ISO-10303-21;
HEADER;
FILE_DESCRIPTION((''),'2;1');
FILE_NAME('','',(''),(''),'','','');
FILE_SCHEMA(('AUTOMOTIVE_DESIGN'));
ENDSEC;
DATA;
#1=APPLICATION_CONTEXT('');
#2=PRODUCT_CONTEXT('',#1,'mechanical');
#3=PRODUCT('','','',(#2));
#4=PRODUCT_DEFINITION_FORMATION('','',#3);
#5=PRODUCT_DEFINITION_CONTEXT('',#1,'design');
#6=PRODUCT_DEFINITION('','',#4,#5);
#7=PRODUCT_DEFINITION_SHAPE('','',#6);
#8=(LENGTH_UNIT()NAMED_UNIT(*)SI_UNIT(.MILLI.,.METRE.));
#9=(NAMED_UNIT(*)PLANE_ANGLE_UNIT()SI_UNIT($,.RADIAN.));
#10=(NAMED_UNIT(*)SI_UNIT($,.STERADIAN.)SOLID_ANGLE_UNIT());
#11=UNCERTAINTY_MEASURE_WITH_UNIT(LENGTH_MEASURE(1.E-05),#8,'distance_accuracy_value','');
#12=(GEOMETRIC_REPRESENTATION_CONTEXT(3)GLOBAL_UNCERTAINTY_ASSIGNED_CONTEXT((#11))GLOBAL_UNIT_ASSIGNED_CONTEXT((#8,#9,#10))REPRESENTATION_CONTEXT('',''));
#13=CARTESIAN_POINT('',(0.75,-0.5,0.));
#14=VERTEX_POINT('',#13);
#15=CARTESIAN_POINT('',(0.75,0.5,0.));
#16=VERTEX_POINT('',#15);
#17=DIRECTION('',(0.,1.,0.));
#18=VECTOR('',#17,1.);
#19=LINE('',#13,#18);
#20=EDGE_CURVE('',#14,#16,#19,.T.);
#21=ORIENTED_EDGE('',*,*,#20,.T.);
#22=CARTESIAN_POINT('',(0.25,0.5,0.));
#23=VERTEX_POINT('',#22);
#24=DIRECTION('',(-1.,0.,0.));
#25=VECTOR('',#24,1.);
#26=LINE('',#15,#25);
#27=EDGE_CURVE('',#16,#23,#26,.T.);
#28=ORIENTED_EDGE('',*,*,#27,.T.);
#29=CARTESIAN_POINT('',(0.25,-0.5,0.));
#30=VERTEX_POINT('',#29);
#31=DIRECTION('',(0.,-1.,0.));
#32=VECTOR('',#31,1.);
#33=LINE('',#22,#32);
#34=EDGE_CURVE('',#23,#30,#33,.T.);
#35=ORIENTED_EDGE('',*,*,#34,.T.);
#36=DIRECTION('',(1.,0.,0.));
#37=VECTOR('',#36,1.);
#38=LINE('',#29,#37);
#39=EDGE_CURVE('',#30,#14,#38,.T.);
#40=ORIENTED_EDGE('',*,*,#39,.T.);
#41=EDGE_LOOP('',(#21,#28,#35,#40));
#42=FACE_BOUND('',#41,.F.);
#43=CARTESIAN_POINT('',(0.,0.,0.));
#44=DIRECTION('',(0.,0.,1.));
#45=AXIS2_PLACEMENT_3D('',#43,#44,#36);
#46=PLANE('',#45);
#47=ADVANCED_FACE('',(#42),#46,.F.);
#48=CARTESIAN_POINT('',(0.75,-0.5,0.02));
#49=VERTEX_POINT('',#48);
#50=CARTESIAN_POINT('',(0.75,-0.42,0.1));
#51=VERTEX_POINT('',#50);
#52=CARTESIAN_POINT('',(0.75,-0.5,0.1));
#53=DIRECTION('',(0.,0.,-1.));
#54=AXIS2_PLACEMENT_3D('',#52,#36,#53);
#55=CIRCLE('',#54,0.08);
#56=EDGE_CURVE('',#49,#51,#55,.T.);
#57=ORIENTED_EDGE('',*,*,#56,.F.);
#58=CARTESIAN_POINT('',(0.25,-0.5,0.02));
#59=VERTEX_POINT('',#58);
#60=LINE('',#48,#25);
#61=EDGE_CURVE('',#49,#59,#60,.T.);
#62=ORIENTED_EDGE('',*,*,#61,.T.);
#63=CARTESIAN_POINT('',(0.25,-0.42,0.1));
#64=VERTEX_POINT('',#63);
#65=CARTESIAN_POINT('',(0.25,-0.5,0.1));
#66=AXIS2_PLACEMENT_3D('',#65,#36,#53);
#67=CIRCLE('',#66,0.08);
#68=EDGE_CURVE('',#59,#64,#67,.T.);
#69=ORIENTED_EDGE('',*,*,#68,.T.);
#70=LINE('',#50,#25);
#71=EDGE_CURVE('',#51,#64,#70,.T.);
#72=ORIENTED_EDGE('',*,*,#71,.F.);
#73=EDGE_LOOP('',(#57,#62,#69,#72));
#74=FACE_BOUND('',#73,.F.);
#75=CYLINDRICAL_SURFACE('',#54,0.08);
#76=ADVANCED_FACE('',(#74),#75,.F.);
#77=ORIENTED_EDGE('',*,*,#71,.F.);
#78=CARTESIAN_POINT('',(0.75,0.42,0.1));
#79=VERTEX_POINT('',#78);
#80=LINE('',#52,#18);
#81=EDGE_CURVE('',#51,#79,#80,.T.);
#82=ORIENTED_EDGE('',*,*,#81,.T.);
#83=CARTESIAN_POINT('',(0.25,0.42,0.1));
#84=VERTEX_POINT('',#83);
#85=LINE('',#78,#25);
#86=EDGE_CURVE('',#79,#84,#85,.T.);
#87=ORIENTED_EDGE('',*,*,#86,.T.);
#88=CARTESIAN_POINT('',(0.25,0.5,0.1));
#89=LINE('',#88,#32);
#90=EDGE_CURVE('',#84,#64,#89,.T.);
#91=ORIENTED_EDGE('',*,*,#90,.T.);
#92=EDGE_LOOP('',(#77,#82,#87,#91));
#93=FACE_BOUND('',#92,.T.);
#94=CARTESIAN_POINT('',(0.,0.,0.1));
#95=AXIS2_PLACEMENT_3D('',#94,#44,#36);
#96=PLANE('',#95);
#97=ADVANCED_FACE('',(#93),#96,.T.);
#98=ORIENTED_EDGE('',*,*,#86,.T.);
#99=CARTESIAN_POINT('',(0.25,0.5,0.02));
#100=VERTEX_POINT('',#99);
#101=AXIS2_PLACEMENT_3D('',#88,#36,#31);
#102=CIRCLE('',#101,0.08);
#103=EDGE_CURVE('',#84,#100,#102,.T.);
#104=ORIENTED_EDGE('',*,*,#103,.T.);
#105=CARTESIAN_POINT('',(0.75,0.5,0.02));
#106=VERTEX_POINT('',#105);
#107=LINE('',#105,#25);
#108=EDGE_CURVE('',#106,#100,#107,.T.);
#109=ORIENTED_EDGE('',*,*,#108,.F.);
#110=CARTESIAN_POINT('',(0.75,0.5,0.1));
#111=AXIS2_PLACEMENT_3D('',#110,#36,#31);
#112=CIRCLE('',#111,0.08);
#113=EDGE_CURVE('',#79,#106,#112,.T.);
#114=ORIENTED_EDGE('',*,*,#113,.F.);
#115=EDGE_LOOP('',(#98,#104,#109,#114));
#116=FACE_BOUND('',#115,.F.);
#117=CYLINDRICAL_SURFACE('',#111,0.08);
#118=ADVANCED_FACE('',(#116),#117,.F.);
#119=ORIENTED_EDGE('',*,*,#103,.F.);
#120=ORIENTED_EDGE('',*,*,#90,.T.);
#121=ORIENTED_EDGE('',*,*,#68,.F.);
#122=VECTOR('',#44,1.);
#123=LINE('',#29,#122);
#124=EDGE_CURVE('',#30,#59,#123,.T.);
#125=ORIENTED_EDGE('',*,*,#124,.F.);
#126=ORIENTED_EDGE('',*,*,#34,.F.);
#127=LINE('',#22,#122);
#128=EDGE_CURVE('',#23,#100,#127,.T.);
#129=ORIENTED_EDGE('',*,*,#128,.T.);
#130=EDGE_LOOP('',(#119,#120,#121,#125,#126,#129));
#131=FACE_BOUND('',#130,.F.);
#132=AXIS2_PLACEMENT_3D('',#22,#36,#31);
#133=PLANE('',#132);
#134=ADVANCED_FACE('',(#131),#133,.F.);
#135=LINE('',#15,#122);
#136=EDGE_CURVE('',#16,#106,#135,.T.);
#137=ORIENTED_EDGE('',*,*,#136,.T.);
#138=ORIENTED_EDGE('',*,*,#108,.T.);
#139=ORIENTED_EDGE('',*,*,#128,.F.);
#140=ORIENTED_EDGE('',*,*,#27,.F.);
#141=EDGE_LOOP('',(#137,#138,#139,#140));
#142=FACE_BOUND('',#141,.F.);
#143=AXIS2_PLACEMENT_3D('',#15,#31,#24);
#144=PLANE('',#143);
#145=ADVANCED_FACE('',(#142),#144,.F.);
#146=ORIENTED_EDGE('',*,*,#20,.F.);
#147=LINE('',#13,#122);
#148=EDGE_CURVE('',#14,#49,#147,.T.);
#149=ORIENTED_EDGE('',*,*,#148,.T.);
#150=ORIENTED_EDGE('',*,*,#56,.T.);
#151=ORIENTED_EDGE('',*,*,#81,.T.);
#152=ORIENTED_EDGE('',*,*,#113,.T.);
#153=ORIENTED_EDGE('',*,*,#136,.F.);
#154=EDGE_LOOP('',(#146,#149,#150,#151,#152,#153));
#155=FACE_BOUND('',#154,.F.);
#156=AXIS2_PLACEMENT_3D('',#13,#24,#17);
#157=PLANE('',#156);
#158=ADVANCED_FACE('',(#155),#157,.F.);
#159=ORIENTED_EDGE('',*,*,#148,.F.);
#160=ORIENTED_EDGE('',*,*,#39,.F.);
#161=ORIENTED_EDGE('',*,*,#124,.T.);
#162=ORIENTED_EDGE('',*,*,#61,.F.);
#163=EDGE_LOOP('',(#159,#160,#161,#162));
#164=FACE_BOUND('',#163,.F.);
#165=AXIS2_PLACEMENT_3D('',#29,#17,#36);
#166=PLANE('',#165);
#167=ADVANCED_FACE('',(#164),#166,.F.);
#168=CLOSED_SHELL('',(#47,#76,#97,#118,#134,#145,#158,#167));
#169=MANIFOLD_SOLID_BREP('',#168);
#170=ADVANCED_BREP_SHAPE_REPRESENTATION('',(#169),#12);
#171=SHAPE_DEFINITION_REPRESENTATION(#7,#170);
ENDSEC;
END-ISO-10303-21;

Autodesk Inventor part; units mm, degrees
ref_plane "YZ Plane" through (0, 0, 0) normal (1, 0, 0) x (0, 1, 0)
ref_plane "XZ Plane" through (0, 0, 0) normal (0, 1, 0) x (-1, 0, 0)
ref_plane "XY Plane" through (0, 0, 0) normal (0, 0, 1) x (1, 0, 0)
sketch "스케치1" plane through (0, 0, 0) normal (0, 0, 1) x (1, 0, 0)
  line L0 (-0.15, 0) -> (0.9, 0) construction
  line L1 (0, -0.7) -> (0, 0.7) construction
  line L2 (0.25, -0.5) -> (0.75, -0.5)
  line L3 (0.75, -0.5) -> (0.75, 0.5)
  line L4 (0.75, 0.5) -> (0.25, 0.5)
  line L5 (0.25, 0.5) -> (0.25, -0.5)
  point P0 (0, 0)
  point P1 (0.5, -0.5)
  dimension "d7" = 0.5
  dimension "d8" = 1
  dimension "d9" = 0.25
extrude "돌출1" add sketch "스케치1" along normal blind 0.1
sketch "스케치3" plane through (0.25, 0.5, 0) normal (0, 1, 0) x (1, 0, 0)
  line L0 (-0.25, 0.7571) -> (-0.25, -0.2929) construction
  line L1 (-0.4, 0) -> (0.65, 0) construction
  line L2 (0.5, 0) -> (0, 0) projected
  line L3 (0, 0) -> (0, -0.1) projected
  line L4 (0.5, -0.1) -> (0, -0.1) projected
  line L5 (0.5, 0) -> (0.5, -0.1) projected
  arc A0 (0, -0.1) -> (0.5, -0.1) centre (0.25, 0.6071) ccw
  line L6 (0.25, -0.1) -> (0.25, 0.4799) construction
  point P0 (-0.25, 0)
  dimension "d10" = 0.75
sketch "스케치5" plane through (0, 0, 0.1) normal (0, 0, 1) x (1, 0, 0)
  line L0 (0.75, -0.5) -> (0.75, 0.5) projected
  line L1 (0.75, 0.5) -> (0.25, 0.5) projected
  line L2 (0.25, 0.5) -> (0.25, -0.5) projected
  line L3 (0.25, -0.5) -> (0.75, -0.5) projected
  line L4 (-0.15, 0) -> (0.9, 0) construction
  line L5 (0, -0.7) -> (0, 0.7) construction
  line L6 (-0.15, 0) -> (0.9, 0) construction
  line L7 (0, 0.7) -> (0, -0.7) construction
  line L8 (0.75, 0.4) -> (0.25, 0.4)
  line L9 (0.75, -0.4) -> (0.25, -0.4)
  point P0 (0, 0)
  dimension "d18" = 1
  dimension "d19" = 0.4
sketch "스케치6" plane through (0.75, -0.5, 0) normal (1, 0, 0) x (0, 0, -1)
  line L0 (0, 0) -> (0, 1) projected
  line L1 (0, 1) -> (-0.1, 1) projected
  line L2 (-0.1, 0) -> (-0.1, 1) projected
  line L3 (0, 0) -> (-0.1, 0) projected
  line L4 (0, 0.5) -> (-0.1, 0.5) construction
  line L5 (0, 0.92) -> (-0.1, 0.92)
  arc A0 (-0.1, 0.92) -> (-0.02, 1) centre (-0.1, 1) ccw
  arc A1 (-0.02, 0) -> (-0.1, 0.08) centre (-0.1, 0) ccw
  point P0 (-0.05, 0.5)
  point P1 (-0.05, 0.92)
  point P2 (-0.02, 0)
  point P3 (-0.1, 0.08)
  dimension "d20" = 0.42
extrude "돌출5" cut sketch "스케치6" against normal up to surface (0.5 mm away) contours L3 L2 A1 | L2 L1 A0
sketch "스케치7" plane through (0.75, -0.5, 0) normal (1, 0, 0) x (0, 0, -1)
  arc A0 (-0.1, 0.92) -> (-0.02, 1) centre (-0.1, 1) ccw projected
  line L0 (-0.1, 0.08) -> (-0.1, 0.92) projected
  arc A1 (-0.02, 0) -> (-0.1, 0.08) centre (-0.1, 0) ccw projected
  line L1 (0, 0) -> (-0.02, 0) projected
  line L2 (0, 0) -> (0, 1) projected
  line L3 (0, 1) -> (-0.02, 1) projected
  line L4 (0, 0.5) -> (-0.2526, 0.5) construction
  line L5 (-0.2526, 0.5) -> (-0.2526, 0.9) construction
  line L6 (-0.2526, 0.9) -> (-0.1, 0.9) construction
  line L7 (-0.2526, 0.1) -> (-0.1, 0.1) construction
  dimension "d23" = 0.4
properties part number "flat_surface_1"
